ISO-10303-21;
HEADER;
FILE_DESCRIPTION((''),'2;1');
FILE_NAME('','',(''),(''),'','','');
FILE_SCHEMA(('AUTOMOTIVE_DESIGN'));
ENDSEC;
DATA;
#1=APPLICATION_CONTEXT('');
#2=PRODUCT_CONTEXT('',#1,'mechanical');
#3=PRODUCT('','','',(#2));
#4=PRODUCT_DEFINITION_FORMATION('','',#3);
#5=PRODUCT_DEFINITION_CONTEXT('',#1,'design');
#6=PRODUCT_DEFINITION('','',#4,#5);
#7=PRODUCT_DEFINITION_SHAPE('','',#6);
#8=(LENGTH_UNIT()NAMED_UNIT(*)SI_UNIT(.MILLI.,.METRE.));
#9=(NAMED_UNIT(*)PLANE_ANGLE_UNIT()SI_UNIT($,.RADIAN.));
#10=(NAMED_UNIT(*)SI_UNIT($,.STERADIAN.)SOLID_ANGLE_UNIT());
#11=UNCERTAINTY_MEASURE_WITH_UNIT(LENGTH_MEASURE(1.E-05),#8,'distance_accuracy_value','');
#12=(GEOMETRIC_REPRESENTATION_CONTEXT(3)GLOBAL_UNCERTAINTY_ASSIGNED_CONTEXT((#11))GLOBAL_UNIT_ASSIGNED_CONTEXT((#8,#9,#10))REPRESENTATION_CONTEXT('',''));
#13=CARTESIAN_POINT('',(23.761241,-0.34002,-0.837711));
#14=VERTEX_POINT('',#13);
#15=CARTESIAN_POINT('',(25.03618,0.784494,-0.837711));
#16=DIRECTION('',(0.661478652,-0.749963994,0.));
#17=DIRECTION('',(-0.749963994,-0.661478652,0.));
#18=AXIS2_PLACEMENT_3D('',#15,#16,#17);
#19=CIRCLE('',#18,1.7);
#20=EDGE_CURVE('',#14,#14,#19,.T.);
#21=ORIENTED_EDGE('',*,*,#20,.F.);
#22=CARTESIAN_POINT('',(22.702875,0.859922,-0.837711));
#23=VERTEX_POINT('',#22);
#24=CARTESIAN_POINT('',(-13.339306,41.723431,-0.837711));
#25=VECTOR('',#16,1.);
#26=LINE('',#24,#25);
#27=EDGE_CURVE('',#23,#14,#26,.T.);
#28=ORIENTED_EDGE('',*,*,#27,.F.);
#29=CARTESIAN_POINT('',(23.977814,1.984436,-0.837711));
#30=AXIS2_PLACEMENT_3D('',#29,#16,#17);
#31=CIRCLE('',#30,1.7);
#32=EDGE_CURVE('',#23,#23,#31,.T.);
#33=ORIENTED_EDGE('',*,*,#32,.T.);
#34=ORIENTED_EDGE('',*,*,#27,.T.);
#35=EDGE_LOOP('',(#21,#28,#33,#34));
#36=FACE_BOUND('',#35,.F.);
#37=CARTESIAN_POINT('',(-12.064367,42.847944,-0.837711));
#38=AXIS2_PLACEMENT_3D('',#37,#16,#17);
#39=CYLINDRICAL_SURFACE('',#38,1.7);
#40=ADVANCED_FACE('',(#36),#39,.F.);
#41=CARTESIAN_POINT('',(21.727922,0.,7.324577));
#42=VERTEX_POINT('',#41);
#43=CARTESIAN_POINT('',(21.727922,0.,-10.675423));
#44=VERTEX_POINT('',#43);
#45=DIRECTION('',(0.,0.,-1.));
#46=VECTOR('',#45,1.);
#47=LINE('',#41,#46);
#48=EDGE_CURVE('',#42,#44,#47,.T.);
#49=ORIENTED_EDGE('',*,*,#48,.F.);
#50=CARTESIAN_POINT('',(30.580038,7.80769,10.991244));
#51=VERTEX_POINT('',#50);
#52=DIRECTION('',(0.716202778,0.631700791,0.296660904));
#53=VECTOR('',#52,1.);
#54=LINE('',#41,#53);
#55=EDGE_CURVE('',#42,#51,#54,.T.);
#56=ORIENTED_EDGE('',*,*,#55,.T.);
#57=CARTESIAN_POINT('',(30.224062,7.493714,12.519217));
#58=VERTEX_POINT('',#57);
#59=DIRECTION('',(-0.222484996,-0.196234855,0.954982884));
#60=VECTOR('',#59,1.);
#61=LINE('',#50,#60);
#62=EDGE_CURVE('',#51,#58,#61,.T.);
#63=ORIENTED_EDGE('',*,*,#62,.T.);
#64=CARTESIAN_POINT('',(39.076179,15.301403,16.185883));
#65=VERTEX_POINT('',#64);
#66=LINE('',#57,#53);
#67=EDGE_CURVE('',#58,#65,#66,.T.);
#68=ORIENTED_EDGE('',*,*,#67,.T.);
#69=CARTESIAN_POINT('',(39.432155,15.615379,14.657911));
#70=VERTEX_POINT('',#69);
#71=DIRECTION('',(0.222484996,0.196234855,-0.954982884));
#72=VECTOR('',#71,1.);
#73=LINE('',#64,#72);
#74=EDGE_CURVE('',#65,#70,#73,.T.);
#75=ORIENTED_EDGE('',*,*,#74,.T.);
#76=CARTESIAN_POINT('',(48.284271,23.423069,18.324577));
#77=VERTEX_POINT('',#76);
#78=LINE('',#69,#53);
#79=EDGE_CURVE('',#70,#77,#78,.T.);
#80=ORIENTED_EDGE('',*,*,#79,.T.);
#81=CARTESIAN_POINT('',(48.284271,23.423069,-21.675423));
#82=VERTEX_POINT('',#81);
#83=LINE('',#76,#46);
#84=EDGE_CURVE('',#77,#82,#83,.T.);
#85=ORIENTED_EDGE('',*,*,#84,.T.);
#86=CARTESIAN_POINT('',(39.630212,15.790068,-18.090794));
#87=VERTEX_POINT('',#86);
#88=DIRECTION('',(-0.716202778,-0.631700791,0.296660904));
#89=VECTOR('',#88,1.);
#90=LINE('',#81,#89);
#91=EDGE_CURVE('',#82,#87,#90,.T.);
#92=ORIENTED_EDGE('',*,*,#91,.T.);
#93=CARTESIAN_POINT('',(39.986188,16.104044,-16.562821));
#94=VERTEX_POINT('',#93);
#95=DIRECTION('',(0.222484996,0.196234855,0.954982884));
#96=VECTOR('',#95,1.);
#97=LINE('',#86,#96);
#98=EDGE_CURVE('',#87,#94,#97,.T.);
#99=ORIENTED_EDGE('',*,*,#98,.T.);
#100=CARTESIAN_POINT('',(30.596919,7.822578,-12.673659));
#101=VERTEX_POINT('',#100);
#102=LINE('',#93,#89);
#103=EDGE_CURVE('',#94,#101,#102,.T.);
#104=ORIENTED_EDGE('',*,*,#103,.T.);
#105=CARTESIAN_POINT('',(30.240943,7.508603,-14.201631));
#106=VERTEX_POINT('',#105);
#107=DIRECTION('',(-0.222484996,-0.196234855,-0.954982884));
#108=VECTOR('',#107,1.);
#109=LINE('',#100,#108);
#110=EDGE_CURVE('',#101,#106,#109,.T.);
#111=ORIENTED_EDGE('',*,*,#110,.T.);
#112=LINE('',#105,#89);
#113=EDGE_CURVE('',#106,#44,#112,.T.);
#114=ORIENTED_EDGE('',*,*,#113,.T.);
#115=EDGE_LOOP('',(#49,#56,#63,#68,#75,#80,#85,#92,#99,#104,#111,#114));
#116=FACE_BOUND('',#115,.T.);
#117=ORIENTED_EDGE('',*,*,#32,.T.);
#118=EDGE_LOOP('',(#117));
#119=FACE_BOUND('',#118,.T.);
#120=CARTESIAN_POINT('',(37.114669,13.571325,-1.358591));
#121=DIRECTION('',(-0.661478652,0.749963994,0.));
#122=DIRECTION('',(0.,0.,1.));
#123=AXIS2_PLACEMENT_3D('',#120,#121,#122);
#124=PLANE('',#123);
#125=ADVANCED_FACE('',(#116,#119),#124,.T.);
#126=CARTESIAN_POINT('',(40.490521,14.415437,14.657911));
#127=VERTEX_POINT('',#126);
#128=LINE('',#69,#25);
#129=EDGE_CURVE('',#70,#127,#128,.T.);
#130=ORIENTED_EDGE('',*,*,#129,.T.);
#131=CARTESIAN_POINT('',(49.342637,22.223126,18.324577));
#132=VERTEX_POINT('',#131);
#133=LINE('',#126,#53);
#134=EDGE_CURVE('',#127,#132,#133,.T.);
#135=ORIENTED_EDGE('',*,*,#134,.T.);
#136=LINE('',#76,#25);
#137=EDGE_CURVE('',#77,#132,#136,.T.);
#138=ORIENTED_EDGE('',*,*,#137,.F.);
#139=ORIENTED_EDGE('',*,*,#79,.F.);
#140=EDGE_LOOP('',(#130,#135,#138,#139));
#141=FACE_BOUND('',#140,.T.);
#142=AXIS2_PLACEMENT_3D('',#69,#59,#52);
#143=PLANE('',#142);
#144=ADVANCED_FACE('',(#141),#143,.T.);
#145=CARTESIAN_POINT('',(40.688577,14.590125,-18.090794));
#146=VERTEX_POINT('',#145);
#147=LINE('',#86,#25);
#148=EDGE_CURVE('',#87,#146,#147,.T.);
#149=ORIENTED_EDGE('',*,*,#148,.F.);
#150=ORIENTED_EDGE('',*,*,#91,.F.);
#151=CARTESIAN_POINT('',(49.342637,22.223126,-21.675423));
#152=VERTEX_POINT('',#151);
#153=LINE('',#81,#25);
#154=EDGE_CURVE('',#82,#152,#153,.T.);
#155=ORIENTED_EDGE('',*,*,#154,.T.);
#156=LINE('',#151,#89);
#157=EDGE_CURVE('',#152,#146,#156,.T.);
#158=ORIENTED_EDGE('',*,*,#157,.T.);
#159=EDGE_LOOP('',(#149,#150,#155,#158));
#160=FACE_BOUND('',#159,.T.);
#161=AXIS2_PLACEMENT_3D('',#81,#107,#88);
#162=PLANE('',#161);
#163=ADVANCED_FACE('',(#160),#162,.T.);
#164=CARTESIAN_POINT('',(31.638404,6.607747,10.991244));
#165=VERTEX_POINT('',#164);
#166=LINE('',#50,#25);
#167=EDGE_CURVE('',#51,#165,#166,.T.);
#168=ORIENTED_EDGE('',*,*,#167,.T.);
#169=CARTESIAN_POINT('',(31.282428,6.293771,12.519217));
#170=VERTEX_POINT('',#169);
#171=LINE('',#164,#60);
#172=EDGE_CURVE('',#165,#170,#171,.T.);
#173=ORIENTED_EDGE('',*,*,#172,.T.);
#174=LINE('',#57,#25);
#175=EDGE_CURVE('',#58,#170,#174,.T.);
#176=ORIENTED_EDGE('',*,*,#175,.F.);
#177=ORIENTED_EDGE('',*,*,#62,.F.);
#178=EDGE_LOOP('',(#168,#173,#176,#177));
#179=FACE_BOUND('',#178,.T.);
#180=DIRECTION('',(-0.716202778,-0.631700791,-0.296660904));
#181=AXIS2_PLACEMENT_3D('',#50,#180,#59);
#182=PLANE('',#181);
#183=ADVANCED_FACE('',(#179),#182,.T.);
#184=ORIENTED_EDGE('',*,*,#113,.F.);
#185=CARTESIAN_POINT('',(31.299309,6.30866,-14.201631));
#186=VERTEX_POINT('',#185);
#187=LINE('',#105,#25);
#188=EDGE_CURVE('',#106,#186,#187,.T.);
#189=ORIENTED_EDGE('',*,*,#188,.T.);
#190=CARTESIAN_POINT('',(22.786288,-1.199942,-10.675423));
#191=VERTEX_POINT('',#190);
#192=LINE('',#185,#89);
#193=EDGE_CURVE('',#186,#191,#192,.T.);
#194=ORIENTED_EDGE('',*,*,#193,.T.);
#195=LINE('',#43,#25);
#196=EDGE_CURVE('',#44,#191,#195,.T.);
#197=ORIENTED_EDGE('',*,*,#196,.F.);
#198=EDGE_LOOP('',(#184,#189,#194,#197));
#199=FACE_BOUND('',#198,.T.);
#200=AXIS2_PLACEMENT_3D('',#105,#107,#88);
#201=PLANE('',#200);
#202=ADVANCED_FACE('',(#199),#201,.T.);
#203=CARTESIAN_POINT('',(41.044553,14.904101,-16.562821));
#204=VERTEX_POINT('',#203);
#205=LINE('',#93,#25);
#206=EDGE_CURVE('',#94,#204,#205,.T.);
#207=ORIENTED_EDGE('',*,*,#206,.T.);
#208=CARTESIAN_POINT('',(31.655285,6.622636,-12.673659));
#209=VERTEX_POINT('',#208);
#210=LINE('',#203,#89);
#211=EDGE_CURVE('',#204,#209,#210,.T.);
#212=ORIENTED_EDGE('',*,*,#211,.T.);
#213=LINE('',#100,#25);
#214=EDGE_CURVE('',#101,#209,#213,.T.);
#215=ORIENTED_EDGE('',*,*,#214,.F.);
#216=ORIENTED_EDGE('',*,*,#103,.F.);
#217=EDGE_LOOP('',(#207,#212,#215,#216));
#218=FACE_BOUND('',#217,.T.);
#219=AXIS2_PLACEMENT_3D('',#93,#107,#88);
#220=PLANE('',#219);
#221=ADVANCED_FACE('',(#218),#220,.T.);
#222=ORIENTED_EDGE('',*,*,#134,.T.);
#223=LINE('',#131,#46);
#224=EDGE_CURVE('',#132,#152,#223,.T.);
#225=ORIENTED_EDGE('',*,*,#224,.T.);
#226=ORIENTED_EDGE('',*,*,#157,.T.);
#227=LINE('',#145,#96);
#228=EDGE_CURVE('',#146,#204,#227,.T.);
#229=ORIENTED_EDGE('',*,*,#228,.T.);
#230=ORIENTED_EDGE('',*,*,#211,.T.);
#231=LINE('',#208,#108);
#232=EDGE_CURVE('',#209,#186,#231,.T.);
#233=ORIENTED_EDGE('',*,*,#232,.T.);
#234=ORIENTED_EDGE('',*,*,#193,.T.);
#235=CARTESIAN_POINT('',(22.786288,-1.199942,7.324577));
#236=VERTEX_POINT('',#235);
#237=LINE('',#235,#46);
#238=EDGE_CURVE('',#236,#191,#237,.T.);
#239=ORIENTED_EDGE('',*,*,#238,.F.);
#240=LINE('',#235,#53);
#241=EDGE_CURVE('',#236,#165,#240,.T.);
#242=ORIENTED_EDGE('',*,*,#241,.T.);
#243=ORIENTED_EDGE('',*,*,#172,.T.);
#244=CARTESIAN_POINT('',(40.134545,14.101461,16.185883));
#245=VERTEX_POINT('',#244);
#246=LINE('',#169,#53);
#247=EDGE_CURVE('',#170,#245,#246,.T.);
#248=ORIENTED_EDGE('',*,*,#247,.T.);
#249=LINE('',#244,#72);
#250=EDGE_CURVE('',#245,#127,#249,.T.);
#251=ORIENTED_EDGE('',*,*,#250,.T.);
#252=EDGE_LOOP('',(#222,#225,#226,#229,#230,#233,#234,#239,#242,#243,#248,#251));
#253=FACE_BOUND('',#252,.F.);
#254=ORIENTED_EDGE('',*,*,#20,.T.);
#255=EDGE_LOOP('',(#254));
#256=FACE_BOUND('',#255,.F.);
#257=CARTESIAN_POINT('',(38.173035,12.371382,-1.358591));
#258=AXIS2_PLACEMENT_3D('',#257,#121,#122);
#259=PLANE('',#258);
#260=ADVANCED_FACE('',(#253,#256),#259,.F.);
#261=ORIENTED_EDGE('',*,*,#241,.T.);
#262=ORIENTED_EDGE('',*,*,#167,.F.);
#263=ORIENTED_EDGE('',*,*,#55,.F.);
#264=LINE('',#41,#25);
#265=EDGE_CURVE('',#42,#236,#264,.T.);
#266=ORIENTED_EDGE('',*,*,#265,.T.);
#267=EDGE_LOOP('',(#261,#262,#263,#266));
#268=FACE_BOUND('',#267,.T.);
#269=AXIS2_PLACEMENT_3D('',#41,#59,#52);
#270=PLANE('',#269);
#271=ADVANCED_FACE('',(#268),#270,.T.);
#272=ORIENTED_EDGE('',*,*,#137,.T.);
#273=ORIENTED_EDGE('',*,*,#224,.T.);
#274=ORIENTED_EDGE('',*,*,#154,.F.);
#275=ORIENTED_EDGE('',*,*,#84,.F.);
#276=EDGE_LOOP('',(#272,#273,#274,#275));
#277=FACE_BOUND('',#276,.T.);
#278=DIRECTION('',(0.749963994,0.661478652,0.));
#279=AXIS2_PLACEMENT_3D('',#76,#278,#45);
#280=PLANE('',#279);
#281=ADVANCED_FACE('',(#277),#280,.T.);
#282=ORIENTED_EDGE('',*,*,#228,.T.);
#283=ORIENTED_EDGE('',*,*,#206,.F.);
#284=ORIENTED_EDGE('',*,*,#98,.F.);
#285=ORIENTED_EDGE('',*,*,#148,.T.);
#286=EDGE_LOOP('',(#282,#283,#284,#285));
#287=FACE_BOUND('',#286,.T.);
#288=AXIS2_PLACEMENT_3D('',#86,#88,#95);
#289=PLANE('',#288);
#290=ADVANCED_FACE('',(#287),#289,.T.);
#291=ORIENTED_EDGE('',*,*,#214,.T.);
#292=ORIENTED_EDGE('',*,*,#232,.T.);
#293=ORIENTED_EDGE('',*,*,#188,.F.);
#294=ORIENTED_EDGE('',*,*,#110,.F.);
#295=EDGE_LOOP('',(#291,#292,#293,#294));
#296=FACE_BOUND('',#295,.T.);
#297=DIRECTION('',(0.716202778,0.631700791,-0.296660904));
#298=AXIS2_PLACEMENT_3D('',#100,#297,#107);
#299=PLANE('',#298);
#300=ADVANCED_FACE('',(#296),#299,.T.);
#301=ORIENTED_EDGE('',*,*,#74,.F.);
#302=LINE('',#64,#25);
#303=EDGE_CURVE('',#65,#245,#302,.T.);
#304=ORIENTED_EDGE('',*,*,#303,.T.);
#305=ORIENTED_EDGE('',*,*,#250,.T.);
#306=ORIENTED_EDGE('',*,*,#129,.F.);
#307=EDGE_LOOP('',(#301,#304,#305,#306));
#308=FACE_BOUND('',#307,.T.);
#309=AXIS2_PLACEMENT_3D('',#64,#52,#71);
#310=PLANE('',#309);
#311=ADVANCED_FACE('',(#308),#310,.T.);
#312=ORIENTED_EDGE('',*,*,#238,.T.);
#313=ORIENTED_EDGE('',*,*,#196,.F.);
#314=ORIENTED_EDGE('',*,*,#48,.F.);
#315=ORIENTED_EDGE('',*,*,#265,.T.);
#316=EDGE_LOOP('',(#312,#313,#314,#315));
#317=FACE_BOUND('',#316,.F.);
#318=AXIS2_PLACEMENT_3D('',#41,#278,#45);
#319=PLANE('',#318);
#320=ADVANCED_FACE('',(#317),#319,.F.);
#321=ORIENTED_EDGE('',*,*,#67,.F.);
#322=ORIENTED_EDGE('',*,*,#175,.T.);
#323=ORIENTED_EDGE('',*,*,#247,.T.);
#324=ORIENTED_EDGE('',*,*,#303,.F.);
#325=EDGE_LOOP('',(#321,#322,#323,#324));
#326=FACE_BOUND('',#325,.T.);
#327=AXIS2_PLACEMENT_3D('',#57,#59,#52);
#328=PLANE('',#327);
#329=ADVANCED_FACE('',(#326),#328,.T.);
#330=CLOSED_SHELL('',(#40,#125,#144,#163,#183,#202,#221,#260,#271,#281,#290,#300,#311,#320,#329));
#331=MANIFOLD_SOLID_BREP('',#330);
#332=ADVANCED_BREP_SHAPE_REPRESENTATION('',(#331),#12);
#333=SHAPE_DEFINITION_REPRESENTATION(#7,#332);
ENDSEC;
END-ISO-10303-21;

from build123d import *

# Parameters (mm, degrees)
BOSS_EXTRUDE1_DEPTH  = 1.6
M3_CLEARANCE_HOLE1_D = 3.4


with BuildPart() as part:
    # Sketch5 → Boss-Extrude1 (new body)
    with BuildSketch(Plane(origin=(9.507139376, -10.778899957, 0), x_dir=(0, 0, -1), z_dir=(0.6614786524658173, -0.7499639940237175, 0))):
        Polygon((-18.324577301, 51.705324763), (21.675422699, 51.705324763), (18.090793802, 40.16602452), (16.562821188, 40.640681966), (12.673658844, 28.121056286), (14.201631457, 27.64639884), (10.675422699, 16.295159211), (9, 16.295159211), (-7.324577301, 16.295159211), (-10.991243968, 28.098547728), (-12.519216582, 27.623890282), (-16.185883249, 39.427278799), (-14.657910635, 39.901936245), align=None)
    extrude(amount=BOSS_EXTRUDE1_DEPTH)

    # M3 Clearance Hole1 (through all)
    with Locations(Plane(origin=(9.507139376, -10.778899957, 0), x_dir=(0.7499639940237175, 0.6614786524658175, 0), z_dir=(-0.6614786524658175, 0.7499639940237175, 0))):
        with Locations((19.295159211, 0.837711349)):
            Hole(M3_CLEARANCE_HOLE1_D / 2)


solid = part.part
